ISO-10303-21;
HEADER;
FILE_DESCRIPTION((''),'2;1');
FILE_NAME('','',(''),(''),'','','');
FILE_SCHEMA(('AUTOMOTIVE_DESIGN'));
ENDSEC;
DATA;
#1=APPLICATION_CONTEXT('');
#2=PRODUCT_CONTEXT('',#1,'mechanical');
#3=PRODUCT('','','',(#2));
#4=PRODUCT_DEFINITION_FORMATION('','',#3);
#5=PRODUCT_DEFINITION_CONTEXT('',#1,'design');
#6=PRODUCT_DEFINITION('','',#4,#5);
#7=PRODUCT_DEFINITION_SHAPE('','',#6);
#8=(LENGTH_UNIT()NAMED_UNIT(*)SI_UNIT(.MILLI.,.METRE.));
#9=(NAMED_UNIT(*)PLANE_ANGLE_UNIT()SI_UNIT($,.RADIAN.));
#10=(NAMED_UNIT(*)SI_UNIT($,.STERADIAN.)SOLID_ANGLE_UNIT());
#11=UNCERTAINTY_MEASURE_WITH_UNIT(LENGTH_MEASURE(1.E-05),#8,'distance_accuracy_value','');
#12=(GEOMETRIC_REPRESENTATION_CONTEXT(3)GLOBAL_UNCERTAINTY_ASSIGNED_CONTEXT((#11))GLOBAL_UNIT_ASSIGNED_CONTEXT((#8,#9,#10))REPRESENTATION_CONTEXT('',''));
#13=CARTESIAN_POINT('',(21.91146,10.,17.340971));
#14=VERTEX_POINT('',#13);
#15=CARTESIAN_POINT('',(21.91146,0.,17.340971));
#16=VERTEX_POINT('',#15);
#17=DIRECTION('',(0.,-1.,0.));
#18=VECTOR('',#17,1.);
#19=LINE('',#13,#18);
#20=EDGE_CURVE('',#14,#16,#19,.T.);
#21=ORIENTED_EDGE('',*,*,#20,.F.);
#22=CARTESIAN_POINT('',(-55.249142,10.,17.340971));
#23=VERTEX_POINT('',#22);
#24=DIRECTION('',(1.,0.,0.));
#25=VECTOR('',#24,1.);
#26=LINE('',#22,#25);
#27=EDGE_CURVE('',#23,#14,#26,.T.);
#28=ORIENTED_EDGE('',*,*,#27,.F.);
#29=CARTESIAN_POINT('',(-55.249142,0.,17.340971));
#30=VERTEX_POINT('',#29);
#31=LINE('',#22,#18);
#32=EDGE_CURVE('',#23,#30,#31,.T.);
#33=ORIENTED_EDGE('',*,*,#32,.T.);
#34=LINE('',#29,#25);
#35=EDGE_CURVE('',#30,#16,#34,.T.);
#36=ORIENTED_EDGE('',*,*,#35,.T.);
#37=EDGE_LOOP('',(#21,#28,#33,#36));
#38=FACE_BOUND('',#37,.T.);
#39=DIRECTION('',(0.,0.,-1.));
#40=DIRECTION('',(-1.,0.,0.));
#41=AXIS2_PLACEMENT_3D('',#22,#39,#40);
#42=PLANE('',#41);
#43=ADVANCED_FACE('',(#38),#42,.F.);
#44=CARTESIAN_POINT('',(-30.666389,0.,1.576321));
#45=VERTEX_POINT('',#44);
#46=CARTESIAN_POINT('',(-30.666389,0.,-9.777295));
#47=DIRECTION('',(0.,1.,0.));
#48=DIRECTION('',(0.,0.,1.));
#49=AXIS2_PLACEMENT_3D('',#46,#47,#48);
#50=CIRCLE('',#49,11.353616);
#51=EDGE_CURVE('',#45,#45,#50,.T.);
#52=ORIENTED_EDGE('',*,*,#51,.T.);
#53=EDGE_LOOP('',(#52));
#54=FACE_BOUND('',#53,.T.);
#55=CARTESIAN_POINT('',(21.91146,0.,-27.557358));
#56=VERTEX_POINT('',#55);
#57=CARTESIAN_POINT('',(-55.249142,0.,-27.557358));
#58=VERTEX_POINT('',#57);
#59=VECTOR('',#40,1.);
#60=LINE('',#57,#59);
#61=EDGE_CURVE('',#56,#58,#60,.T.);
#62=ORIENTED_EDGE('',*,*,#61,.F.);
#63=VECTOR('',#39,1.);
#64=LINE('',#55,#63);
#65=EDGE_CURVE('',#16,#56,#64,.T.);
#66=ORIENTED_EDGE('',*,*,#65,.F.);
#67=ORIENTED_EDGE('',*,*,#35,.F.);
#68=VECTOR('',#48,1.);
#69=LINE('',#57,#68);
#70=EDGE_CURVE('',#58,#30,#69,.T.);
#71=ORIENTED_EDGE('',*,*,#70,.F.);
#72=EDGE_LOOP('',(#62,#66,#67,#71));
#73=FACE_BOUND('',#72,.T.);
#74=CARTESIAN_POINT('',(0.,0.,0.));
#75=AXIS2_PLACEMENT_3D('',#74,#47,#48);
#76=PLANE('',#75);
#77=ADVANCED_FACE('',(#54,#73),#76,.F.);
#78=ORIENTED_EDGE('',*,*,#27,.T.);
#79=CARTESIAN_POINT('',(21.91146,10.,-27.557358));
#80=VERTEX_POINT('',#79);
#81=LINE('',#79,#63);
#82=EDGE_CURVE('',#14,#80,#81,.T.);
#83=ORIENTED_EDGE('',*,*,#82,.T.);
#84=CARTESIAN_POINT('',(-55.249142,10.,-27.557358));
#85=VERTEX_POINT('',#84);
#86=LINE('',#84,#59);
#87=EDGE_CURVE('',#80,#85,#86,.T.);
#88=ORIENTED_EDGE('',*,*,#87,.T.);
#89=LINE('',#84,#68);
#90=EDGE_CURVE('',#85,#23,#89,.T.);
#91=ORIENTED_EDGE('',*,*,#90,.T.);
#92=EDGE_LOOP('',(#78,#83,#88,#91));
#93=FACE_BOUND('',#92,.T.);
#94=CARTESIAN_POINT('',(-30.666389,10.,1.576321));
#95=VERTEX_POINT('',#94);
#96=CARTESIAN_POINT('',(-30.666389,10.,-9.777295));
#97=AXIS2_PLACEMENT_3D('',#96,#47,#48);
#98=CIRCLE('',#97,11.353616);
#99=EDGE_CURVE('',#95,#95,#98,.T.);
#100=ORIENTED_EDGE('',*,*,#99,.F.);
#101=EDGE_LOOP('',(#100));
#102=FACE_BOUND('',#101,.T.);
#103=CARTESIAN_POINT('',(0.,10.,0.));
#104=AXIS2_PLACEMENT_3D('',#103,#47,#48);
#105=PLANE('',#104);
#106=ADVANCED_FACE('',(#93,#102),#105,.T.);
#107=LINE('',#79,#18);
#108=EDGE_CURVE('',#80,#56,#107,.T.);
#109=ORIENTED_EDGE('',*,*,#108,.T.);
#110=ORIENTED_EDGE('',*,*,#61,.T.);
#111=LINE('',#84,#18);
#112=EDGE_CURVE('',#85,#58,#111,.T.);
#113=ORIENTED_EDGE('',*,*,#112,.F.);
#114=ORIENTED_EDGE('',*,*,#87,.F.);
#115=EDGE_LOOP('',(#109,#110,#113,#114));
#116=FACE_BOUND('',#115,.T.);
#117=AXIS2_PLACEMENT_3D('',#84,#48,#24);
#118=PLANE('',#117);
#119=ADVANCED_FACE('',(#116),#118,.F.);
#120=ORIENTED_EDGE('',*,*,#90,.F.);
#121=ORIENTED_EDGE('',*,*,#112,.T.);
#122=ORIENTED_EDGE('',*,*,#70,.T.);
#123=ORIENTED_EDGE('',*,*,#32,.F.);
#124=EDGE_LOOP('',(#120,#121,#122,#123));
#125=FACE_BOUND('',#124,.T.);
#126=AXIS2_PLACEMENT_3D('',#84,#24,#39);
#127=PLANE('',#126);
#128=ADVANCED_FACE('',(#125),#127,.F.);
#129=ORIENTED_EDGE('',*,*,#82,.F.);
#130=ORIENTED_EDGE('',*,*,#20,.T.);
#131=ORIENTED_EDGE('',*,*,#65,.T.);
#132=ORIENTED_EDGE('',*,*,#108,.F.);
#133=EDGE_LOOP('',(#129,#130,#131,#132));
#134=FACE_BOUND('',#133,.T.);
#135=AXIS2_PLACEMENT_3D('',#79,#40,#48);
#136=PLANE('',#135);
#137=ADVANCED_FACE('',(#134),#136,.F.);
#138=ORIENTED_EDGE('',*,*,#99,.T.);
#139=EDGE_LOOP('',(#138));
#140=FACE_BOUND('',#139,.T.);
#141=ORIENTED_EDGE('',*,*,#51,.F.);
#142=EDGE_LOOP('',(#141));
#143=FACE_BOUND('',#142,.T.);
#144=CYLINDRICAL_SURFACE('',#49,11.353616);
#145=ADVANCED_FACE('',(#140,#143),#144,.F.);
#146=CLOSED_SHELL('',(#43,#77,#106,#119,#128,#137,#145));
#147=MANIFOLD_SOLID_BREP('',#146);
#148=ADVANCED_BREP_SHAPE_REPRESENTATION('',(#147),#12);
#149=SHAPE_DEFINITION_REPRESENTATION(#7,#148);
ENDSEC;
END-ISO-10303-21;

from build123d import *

# Parameters (mm, degrees)
SKETCH1_W           = 77.160601623
SKETCH1_H           = 44.898329167
BOSS_EXTRUDE1_DEPTH = 10
SKETCH2_R           = 11.353615653
CUT_EXTRUDE1_DEPTH  = 10


with BuildPart() as part:
    # Sketch1 → Boss-Extrude1 (new body)
    with BuildSketch(Plane(origin=(0, 0, 0), x_dir=(1, 0, 0), z_dir=(0, 1, 0))):
        with Locations((-16.668840769, 5.108193139)):
            Rectangle(SKETCH1_W, SKETCH1_H)
    extrude(amount=BOSS_EXTRUDE1_DEPTH)

    # Sketch2 → Cut-Extrude1 (cut)
    with BuildSketch(Plane(origin=(0, 10, 0), x_dir=(1, 0, 0), z_dir=(0, 1, 0))):
        with Locations((-30.666389333, 9.777294834)):
            Circle(SKETCH2_R)
    extrude(amount=-CUT_EXTRUDE1_DEPTH, mode=Mode.SUBTRACT)


solid = part.part
